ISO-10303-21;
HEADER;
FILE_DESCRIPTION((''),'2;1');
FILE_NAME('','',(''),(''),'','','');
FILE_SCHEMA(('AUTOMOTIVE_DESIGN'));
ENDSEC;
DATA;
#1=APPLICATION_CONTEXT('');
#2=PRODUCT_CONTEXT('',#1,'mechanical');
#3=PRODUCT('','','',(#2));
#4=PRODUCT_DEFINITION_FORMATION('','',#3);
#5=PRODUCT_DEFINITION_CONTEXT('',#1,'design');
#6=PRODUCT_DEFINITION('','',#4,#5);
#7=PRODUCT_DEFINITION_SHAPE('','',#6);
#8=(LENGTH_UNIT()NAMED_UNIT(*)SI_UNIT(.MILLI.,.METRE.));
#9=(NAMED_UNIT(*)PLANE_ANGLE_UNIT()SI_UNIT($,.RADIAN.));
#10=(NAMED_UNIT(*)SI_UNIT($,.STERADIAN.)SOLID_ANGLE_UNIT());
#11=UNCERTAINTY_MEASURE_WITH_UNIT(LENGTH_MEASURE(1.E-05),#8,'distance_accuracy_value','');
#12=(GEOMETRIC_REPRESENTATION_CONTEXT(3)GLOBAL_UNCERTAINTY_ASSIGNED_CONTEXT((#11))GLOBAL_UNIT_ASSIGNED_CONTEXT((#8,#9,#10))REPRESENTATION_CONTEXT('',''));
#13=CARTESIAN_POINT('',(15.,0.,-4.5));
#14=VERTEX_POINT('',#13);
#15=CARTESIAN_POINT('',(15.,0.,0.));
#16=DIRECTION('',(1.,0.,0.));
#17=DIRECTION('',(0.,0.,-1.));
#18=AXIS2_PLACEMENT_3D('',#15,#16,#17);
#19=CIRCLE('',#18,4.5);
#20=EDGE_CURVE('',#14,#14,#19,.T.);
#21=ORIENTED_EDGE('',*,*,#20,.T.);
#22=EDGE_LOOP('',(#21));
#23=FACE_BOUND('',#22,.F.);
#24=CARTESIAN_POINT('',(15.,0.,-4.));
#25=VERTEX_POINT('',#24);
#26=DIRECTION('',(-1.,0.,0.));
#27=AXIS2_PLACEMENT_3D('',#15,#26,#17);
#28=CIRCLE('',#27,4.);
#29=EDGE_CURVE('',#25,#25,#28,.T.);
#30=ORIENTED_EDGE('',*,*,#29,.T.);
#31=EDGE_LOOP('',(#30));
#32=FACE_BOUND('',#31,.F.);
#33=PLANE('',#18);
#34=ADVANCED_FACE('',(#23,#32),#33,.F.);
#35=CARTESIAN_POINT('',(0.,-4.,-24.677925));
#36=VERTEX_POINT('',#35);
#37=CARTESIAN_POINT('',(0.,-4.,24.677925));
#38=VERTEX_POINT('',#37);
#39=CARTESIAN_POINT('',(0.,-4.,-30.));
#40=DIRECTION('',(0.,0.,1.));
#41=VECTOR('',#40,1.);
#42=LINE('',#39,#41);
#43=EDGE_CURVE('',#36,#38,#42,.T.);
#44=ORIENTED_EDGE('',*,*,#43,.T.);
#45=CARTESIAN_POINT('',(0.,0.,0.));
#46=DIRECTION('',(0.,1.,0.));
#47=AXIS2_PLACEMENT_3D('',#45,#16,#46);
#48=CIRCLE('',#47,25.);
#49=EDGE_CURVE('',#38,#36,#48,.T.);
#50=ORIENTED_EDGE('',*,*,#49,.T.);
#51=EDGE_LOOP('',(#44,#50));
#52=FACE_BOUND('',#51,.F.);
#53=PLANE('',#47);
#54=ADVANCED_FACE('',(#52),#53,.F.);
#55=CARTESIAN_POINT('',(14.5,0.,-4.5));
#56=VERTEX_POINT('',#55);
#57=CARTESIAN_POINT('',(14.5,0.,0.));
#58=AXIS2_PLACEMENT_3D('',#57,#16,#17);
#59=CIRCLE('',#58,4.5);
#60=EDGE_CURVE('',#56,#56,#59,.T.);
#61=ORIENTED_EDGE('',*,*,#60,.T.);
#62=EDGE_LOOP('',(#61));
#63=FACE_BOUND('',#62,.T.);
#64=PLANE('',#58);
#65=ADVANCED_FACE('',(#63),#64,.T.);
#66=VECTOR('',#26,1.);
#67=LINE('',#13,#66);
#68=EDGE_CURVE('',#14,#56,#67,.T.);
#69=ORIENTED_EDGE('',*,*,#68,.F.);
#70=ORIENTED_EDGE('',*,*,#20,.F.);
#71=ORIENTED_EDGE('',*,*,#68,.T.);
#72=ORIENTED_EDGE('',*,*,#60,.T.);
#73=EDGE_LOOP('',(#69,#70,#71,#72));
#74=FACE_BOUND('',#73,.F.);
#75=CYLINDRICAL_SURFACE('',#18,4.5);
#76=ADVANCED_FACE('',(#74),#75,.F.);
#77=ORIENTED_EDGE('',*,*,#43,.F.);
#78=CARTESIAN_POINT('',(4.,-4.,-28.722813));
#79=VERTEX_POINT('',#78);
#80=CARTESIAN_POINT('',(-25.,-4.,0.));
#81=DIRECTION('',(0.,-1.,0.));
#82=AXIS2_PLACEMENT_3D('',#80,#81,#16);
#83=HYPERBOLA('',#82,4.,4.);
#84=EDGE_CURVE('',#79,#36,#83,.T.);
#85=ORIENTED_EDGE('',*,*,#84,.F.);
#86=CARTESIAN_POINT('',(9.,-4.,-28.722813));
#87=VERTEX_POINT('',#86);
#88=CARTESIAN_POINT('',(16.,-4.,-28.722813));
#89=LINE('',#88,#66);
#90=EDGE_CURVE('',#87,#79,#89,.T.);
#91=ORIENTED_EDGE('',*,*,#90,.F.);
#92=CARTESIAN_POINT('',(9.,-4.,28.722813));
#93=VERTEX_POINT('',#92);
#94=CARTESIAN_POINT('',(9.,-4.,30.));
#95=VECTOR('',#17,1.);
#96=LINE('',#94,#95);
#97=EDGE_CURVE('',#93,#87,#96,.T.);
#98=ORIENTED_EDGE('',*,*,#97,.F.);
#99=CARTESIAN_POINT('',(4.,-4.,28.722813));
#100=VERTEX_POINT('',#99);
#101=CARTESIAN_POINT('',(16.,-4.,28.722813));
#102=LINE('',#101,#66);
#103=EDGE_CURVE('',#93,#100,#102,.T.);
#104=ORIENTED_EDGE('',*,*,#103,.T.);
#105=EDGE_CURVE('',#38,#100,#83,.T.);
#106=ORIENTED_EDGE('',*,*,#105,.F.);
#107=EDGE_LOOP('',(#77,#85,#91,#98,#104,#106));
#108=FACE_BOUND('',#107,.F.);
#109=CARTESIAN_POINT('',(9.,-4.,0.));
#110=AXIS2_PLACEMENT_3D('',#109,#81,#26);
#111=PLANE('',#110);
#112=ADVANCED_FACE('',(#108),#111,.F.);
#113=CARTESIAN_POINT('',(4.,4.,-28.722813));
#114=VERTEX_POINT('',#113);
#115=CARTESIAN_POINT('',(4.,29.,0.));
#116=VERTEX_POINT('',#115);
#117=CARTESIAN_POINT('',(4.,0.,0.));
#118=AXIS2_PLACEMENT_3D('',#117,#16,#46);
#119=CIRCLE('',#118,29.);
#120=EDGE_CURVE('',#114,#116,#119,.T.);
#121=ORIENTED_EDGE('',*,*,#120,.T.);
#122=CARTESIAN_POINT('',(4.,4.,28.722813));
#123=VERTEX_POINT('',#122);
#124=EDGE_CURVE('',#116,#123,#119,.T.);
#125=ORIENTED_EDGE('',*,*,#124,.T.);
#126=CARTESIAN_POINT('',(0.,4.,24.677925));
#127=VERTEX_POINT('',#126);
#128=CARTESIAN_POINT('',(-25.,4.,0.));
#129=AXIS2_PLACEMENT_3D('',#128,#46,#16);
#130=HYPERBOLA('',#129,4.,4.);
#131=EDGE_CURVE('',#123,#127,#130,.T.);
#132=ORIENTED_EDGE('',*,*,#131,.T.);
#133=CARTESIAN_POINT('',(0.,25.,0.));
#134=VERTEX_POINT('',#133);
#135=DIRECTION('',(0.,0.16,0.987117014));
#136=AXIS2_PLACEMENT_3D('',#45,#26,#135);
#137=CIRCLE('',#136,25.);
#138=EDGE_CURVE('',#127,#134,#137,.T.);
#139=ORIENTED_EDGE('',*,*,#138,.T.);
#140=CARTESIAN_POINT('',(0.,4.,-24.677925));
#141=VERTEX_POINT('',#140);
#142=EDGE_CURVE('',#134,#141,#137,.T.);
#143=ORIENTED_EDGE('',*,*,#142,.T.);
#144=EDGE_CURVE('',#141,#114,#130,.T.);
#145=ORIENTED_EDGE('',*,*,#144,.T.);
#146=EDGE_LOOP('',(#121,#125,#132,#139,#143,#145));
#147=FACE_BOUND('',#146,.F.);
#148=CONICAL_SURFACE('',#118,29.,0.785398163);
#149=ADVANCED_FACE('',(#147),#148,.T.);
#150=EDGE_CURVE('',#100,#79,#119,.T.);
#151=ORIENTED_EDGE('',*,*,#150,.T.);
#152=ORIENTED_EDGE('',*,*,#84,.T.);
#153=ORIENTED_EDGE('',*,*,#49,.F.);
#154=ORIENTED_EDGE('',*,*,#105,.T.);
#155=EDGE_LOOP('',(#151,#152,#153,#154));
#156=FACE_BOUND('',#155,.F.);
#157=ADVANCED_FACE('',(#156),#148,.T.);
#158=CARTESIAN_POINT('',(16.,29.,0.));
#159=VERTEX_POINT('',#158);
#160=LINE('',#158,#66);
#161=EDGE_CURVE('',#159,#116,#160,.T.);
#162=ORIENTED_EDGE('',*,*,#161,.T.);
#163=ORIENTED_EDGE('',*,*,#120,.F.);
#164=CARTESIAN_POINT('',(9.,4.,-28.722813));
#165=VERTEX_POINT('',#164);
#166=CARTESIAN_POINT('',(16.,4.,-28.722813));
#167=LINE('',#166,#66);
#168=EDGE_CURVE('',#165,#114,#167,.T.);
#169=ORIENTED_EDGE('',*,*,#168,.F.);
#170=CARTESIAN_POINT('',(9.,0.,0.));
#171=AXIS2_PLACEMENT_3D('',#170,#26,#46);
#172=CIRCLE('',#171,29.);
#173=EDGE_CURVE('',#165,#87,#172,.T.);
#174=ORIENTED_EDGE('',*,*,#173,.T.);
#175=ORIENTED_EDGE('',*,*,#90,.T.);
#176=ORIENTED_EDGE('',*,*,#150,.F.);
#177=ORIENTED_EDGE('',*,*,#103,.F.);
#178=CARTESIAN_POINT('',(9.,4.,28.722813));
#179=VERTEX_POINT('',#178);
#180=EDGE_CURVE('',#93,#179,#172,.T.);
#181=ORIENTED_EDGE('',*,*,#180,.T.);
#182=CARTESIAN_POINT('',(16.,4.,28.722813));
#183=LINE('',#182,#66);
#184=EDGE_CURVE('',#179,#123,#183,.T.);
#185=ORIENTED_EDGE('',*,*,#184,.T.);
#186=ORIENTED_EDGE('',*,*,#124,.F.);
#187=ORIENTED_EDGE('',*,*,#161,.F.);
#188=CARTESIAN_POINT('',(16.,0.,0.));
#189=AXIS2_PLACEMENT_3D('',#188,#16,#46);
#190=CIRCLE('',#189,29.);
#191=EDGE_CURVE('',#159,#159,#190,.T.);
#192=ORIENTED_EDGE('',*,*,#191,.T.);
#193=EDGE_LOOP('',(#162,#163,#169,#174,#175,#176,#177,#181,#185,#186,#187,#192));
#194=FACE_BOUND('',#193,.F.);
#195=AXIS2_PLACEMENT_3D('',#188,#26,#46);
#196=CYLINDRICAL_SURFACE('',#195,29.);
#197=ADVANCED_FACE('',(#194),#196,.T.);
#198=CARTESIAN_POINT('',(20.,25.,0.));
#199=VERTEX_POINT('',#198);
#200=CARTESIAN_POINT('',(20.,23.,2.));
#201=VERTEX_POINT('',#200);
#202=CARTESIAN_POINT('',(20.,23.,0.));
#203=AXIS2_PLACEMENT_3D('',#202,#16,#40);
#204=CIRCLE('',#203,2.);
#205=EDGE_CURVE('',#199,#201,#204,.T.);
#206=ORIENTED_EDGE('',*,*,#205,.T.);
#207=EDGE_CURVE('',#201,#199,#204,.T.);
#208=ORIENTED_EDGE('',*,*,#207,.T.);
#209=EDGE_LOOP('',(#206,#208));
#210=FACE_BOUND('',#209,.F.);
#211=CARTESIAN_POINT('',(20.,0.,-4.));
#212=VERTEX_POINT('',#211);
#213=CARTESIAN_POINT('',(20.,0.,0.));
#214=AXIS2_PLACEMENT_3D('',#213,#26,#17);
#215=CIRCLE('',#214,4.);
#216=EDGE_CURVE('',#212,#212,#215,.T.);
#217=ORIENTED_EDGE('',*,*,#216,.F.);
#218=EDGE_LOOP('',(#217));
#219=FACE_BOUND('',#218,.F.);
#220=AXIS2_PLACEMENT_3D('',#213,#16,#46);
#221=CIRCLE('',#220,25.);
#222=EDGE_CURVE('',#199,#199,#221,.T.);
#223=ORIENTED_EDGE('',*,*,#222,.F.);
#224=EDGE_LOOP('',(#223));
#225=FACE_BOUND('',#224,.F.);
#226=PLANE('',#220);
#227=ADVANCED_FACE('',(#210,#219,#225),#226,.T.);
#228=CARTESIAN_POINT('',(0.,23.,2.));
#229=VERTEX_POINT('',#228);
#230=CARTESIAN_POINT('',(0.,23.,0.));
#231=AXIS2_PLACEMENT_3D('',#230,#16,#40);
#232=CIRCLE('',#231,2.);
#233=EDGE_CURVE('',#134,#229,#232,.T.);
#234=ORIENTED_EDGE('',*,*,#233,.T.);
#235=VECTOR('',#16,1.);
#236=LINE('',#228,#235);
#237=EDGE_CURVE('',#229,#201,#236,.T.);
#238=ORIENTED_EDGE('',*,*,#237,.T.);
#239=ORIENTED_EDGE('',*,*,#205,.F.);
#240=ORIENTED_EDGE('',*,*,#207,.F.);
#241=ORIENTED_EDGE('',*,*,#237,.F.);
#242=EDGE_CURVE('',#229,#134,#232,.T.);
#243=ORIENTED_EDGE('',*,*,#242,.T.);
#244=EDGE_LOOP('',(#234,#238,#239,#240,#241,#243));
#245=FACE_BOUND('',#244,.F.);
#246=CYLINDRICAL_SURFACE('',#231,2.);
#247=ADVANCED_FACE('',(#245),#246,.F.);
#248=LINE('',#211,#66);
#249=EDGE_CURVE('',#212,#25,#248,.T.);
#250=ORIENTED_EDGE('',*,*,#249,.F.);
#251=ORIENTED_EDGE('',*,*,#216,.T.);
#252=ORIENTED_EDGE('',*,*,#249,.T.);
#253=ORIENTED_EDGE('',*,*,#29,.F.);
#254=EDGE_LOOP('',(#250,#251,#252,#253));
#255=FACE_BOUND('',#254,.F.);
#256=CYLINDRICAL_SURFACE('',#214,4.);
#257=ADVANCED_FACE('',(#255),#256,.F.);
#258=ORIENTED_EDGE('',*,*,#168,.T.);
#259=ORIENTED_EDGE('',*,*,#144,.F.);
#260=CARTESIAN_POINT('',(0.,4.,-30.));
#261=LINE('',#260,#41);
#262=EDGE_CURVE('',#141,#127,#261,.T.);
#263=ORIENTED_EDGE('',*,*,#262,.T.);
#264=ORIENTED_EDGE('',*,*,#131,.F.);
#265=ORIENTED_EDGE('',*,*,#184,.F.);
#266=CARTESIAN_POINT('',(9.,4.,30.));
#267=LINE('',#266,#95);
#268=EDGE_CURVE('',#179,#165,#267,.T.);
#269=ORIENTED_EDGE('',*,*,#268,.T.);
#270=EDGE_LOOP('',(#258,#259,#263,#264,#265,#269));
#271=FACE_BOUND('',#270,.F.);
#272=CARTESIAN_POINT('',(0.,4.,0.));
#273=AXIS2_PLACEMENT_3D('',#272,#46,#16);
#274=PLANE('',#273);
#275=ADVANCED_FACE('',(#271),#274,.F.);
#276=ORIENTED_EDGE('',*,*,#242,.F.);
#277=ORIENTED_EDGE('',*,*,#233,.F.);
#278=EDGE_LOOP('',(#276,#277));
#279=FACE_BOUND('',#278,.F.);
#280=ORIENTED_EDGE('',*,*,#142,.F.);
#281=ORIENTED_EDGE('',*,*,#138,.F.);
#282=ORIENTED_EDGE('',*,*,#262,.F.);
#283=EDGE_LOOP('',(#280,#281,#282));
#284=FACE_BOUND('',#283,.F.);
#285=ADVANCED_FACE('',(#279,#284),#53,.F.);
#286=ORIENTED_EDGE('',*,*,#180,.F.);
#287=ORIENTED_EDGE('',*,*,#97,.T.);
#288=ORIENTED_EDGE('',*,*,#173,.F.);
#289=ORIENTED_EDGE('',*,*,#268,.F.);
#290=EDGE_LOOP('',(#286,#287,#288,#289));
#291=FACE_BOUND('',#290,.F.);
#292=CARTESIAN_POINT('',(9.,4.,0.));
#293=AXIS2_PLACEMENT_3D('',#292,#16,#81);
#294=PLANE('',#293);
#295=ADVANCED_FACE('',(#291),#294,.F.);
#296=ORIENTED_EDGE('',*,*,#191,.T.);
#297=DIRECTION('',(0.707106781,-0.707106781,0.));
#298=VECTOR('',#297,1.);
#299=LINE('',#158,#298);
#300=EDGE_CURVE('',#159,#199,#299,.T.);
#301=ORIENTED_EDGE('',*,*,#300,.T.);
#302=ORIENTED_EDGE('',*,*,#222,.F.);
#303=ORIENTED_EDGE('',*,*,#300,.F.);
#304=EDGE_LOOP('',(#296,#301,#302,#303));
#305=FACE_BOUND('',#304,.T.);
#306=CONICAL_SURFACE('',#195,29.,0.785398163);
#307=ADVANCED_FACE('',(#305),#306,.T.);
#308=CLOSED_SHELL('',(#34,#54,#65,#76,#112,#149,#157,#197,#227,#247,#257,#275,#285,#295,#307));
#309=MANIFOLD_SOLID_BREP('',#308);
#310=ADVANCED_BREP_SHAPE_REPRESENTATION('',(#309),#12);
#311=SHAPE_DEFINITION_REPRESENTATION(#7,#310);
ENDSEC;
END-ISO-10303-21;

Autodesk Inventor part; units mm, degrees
ref_plane "YZ Plane" through (0, 0, 0) normal (1, 0, 0) x (0, 1, 0)
ref_plane "XZ Plane" through (0, 0, 0) normal (0, 1, 0) x (-1, 0, 0)
ref_plane "XY Plane" through (0, 0, 0) normal (0, 0, 1) x (1, 0, 0)
sketch "Эскиз5" plane through (0, 0, 0) normal (0, 0, 1) x (1, 0, 0)
  line L0 (0, 0) -> (20, 0)
  line L1 (20, 0) -> (20, 25)
  line L2 (16, 29) -> (4, 29)
  line L3 (0, 25) -> (0, 0)
  line L4 (4, 29) -> (0, 25)
  line L5 (16, 29) -> (20, 25)
  point P0 (20, 29)
  point P1 (0, 29)
  dimension "d33" = 20
  dimension "d34" = 29
  dimension "d35" = 4
  dimension "d36" = 4
  dimension "d37" = 4
  dimension "d38" = 4
revolve "Вращение3" add sketch "Эскиз5" angle 360 about axis through (0, 0, 0) along (1, 0, 0)
sketch "Эскиз6" plane through (0, 0, 0) normal (0, 0, 1) x (1, 0, 0)
  line L0 (0, -25) -> (0, 25) construction
  line L1 (0, 4) -> (9, 4)
  line L2 (9, 4) -> (9, -4)
  line L3 (9, -4) -> (0, -4)
  line L4 (0, -4) -> (0, 4)
  point P0 (0, 0)
  point P1 (0, 0)
  point P2 (0, 0)
  dimension "d40" = 9
  dimension "d41" = 8
extrude "Выдавливание2" cut sketch "Эскиз6" along normal through all both and the other way through all
sketch "Эскиз7" plane through (0, 0, 0) normal (-1, 0, 0) x (0, 0, 1)
  line L0 (0, 0) -> (0, 23) construction
  dimension "d44" = 23
hole "Отверстие2" at (0, 23, 0) direction (1, 0, 0) diameter 4 end through all
sketch "Эскиз8" plane through (20, 0, 0) normal (1, 0, 0) x (0, 0, -1)
  point P0 (0, 0)
  point P1 (0, 0)
hole "Отверстие3" at (20, 0, 0) direction (-1, 0, 0) diameter 8 depth 5
sketch "Эскиз9" plane through (15, 0, 0) normal (1, 0, 0) x (0, 0, -1)
  circle A0 centre (0, 0) radius 4.5
  dimension "d59" = 9
extrude "Выдавливание3" cut sketch "Эскиз9" against normal blind 0.5
thread "Резьба2" size "M8x1.25" class "6H" standard "ANSI Metric M Profile" full length
equation "\"d36\" = d35"
equation "\"d37\" = d35"
equation "\"d38\" = d37"
properties part number "711134"
